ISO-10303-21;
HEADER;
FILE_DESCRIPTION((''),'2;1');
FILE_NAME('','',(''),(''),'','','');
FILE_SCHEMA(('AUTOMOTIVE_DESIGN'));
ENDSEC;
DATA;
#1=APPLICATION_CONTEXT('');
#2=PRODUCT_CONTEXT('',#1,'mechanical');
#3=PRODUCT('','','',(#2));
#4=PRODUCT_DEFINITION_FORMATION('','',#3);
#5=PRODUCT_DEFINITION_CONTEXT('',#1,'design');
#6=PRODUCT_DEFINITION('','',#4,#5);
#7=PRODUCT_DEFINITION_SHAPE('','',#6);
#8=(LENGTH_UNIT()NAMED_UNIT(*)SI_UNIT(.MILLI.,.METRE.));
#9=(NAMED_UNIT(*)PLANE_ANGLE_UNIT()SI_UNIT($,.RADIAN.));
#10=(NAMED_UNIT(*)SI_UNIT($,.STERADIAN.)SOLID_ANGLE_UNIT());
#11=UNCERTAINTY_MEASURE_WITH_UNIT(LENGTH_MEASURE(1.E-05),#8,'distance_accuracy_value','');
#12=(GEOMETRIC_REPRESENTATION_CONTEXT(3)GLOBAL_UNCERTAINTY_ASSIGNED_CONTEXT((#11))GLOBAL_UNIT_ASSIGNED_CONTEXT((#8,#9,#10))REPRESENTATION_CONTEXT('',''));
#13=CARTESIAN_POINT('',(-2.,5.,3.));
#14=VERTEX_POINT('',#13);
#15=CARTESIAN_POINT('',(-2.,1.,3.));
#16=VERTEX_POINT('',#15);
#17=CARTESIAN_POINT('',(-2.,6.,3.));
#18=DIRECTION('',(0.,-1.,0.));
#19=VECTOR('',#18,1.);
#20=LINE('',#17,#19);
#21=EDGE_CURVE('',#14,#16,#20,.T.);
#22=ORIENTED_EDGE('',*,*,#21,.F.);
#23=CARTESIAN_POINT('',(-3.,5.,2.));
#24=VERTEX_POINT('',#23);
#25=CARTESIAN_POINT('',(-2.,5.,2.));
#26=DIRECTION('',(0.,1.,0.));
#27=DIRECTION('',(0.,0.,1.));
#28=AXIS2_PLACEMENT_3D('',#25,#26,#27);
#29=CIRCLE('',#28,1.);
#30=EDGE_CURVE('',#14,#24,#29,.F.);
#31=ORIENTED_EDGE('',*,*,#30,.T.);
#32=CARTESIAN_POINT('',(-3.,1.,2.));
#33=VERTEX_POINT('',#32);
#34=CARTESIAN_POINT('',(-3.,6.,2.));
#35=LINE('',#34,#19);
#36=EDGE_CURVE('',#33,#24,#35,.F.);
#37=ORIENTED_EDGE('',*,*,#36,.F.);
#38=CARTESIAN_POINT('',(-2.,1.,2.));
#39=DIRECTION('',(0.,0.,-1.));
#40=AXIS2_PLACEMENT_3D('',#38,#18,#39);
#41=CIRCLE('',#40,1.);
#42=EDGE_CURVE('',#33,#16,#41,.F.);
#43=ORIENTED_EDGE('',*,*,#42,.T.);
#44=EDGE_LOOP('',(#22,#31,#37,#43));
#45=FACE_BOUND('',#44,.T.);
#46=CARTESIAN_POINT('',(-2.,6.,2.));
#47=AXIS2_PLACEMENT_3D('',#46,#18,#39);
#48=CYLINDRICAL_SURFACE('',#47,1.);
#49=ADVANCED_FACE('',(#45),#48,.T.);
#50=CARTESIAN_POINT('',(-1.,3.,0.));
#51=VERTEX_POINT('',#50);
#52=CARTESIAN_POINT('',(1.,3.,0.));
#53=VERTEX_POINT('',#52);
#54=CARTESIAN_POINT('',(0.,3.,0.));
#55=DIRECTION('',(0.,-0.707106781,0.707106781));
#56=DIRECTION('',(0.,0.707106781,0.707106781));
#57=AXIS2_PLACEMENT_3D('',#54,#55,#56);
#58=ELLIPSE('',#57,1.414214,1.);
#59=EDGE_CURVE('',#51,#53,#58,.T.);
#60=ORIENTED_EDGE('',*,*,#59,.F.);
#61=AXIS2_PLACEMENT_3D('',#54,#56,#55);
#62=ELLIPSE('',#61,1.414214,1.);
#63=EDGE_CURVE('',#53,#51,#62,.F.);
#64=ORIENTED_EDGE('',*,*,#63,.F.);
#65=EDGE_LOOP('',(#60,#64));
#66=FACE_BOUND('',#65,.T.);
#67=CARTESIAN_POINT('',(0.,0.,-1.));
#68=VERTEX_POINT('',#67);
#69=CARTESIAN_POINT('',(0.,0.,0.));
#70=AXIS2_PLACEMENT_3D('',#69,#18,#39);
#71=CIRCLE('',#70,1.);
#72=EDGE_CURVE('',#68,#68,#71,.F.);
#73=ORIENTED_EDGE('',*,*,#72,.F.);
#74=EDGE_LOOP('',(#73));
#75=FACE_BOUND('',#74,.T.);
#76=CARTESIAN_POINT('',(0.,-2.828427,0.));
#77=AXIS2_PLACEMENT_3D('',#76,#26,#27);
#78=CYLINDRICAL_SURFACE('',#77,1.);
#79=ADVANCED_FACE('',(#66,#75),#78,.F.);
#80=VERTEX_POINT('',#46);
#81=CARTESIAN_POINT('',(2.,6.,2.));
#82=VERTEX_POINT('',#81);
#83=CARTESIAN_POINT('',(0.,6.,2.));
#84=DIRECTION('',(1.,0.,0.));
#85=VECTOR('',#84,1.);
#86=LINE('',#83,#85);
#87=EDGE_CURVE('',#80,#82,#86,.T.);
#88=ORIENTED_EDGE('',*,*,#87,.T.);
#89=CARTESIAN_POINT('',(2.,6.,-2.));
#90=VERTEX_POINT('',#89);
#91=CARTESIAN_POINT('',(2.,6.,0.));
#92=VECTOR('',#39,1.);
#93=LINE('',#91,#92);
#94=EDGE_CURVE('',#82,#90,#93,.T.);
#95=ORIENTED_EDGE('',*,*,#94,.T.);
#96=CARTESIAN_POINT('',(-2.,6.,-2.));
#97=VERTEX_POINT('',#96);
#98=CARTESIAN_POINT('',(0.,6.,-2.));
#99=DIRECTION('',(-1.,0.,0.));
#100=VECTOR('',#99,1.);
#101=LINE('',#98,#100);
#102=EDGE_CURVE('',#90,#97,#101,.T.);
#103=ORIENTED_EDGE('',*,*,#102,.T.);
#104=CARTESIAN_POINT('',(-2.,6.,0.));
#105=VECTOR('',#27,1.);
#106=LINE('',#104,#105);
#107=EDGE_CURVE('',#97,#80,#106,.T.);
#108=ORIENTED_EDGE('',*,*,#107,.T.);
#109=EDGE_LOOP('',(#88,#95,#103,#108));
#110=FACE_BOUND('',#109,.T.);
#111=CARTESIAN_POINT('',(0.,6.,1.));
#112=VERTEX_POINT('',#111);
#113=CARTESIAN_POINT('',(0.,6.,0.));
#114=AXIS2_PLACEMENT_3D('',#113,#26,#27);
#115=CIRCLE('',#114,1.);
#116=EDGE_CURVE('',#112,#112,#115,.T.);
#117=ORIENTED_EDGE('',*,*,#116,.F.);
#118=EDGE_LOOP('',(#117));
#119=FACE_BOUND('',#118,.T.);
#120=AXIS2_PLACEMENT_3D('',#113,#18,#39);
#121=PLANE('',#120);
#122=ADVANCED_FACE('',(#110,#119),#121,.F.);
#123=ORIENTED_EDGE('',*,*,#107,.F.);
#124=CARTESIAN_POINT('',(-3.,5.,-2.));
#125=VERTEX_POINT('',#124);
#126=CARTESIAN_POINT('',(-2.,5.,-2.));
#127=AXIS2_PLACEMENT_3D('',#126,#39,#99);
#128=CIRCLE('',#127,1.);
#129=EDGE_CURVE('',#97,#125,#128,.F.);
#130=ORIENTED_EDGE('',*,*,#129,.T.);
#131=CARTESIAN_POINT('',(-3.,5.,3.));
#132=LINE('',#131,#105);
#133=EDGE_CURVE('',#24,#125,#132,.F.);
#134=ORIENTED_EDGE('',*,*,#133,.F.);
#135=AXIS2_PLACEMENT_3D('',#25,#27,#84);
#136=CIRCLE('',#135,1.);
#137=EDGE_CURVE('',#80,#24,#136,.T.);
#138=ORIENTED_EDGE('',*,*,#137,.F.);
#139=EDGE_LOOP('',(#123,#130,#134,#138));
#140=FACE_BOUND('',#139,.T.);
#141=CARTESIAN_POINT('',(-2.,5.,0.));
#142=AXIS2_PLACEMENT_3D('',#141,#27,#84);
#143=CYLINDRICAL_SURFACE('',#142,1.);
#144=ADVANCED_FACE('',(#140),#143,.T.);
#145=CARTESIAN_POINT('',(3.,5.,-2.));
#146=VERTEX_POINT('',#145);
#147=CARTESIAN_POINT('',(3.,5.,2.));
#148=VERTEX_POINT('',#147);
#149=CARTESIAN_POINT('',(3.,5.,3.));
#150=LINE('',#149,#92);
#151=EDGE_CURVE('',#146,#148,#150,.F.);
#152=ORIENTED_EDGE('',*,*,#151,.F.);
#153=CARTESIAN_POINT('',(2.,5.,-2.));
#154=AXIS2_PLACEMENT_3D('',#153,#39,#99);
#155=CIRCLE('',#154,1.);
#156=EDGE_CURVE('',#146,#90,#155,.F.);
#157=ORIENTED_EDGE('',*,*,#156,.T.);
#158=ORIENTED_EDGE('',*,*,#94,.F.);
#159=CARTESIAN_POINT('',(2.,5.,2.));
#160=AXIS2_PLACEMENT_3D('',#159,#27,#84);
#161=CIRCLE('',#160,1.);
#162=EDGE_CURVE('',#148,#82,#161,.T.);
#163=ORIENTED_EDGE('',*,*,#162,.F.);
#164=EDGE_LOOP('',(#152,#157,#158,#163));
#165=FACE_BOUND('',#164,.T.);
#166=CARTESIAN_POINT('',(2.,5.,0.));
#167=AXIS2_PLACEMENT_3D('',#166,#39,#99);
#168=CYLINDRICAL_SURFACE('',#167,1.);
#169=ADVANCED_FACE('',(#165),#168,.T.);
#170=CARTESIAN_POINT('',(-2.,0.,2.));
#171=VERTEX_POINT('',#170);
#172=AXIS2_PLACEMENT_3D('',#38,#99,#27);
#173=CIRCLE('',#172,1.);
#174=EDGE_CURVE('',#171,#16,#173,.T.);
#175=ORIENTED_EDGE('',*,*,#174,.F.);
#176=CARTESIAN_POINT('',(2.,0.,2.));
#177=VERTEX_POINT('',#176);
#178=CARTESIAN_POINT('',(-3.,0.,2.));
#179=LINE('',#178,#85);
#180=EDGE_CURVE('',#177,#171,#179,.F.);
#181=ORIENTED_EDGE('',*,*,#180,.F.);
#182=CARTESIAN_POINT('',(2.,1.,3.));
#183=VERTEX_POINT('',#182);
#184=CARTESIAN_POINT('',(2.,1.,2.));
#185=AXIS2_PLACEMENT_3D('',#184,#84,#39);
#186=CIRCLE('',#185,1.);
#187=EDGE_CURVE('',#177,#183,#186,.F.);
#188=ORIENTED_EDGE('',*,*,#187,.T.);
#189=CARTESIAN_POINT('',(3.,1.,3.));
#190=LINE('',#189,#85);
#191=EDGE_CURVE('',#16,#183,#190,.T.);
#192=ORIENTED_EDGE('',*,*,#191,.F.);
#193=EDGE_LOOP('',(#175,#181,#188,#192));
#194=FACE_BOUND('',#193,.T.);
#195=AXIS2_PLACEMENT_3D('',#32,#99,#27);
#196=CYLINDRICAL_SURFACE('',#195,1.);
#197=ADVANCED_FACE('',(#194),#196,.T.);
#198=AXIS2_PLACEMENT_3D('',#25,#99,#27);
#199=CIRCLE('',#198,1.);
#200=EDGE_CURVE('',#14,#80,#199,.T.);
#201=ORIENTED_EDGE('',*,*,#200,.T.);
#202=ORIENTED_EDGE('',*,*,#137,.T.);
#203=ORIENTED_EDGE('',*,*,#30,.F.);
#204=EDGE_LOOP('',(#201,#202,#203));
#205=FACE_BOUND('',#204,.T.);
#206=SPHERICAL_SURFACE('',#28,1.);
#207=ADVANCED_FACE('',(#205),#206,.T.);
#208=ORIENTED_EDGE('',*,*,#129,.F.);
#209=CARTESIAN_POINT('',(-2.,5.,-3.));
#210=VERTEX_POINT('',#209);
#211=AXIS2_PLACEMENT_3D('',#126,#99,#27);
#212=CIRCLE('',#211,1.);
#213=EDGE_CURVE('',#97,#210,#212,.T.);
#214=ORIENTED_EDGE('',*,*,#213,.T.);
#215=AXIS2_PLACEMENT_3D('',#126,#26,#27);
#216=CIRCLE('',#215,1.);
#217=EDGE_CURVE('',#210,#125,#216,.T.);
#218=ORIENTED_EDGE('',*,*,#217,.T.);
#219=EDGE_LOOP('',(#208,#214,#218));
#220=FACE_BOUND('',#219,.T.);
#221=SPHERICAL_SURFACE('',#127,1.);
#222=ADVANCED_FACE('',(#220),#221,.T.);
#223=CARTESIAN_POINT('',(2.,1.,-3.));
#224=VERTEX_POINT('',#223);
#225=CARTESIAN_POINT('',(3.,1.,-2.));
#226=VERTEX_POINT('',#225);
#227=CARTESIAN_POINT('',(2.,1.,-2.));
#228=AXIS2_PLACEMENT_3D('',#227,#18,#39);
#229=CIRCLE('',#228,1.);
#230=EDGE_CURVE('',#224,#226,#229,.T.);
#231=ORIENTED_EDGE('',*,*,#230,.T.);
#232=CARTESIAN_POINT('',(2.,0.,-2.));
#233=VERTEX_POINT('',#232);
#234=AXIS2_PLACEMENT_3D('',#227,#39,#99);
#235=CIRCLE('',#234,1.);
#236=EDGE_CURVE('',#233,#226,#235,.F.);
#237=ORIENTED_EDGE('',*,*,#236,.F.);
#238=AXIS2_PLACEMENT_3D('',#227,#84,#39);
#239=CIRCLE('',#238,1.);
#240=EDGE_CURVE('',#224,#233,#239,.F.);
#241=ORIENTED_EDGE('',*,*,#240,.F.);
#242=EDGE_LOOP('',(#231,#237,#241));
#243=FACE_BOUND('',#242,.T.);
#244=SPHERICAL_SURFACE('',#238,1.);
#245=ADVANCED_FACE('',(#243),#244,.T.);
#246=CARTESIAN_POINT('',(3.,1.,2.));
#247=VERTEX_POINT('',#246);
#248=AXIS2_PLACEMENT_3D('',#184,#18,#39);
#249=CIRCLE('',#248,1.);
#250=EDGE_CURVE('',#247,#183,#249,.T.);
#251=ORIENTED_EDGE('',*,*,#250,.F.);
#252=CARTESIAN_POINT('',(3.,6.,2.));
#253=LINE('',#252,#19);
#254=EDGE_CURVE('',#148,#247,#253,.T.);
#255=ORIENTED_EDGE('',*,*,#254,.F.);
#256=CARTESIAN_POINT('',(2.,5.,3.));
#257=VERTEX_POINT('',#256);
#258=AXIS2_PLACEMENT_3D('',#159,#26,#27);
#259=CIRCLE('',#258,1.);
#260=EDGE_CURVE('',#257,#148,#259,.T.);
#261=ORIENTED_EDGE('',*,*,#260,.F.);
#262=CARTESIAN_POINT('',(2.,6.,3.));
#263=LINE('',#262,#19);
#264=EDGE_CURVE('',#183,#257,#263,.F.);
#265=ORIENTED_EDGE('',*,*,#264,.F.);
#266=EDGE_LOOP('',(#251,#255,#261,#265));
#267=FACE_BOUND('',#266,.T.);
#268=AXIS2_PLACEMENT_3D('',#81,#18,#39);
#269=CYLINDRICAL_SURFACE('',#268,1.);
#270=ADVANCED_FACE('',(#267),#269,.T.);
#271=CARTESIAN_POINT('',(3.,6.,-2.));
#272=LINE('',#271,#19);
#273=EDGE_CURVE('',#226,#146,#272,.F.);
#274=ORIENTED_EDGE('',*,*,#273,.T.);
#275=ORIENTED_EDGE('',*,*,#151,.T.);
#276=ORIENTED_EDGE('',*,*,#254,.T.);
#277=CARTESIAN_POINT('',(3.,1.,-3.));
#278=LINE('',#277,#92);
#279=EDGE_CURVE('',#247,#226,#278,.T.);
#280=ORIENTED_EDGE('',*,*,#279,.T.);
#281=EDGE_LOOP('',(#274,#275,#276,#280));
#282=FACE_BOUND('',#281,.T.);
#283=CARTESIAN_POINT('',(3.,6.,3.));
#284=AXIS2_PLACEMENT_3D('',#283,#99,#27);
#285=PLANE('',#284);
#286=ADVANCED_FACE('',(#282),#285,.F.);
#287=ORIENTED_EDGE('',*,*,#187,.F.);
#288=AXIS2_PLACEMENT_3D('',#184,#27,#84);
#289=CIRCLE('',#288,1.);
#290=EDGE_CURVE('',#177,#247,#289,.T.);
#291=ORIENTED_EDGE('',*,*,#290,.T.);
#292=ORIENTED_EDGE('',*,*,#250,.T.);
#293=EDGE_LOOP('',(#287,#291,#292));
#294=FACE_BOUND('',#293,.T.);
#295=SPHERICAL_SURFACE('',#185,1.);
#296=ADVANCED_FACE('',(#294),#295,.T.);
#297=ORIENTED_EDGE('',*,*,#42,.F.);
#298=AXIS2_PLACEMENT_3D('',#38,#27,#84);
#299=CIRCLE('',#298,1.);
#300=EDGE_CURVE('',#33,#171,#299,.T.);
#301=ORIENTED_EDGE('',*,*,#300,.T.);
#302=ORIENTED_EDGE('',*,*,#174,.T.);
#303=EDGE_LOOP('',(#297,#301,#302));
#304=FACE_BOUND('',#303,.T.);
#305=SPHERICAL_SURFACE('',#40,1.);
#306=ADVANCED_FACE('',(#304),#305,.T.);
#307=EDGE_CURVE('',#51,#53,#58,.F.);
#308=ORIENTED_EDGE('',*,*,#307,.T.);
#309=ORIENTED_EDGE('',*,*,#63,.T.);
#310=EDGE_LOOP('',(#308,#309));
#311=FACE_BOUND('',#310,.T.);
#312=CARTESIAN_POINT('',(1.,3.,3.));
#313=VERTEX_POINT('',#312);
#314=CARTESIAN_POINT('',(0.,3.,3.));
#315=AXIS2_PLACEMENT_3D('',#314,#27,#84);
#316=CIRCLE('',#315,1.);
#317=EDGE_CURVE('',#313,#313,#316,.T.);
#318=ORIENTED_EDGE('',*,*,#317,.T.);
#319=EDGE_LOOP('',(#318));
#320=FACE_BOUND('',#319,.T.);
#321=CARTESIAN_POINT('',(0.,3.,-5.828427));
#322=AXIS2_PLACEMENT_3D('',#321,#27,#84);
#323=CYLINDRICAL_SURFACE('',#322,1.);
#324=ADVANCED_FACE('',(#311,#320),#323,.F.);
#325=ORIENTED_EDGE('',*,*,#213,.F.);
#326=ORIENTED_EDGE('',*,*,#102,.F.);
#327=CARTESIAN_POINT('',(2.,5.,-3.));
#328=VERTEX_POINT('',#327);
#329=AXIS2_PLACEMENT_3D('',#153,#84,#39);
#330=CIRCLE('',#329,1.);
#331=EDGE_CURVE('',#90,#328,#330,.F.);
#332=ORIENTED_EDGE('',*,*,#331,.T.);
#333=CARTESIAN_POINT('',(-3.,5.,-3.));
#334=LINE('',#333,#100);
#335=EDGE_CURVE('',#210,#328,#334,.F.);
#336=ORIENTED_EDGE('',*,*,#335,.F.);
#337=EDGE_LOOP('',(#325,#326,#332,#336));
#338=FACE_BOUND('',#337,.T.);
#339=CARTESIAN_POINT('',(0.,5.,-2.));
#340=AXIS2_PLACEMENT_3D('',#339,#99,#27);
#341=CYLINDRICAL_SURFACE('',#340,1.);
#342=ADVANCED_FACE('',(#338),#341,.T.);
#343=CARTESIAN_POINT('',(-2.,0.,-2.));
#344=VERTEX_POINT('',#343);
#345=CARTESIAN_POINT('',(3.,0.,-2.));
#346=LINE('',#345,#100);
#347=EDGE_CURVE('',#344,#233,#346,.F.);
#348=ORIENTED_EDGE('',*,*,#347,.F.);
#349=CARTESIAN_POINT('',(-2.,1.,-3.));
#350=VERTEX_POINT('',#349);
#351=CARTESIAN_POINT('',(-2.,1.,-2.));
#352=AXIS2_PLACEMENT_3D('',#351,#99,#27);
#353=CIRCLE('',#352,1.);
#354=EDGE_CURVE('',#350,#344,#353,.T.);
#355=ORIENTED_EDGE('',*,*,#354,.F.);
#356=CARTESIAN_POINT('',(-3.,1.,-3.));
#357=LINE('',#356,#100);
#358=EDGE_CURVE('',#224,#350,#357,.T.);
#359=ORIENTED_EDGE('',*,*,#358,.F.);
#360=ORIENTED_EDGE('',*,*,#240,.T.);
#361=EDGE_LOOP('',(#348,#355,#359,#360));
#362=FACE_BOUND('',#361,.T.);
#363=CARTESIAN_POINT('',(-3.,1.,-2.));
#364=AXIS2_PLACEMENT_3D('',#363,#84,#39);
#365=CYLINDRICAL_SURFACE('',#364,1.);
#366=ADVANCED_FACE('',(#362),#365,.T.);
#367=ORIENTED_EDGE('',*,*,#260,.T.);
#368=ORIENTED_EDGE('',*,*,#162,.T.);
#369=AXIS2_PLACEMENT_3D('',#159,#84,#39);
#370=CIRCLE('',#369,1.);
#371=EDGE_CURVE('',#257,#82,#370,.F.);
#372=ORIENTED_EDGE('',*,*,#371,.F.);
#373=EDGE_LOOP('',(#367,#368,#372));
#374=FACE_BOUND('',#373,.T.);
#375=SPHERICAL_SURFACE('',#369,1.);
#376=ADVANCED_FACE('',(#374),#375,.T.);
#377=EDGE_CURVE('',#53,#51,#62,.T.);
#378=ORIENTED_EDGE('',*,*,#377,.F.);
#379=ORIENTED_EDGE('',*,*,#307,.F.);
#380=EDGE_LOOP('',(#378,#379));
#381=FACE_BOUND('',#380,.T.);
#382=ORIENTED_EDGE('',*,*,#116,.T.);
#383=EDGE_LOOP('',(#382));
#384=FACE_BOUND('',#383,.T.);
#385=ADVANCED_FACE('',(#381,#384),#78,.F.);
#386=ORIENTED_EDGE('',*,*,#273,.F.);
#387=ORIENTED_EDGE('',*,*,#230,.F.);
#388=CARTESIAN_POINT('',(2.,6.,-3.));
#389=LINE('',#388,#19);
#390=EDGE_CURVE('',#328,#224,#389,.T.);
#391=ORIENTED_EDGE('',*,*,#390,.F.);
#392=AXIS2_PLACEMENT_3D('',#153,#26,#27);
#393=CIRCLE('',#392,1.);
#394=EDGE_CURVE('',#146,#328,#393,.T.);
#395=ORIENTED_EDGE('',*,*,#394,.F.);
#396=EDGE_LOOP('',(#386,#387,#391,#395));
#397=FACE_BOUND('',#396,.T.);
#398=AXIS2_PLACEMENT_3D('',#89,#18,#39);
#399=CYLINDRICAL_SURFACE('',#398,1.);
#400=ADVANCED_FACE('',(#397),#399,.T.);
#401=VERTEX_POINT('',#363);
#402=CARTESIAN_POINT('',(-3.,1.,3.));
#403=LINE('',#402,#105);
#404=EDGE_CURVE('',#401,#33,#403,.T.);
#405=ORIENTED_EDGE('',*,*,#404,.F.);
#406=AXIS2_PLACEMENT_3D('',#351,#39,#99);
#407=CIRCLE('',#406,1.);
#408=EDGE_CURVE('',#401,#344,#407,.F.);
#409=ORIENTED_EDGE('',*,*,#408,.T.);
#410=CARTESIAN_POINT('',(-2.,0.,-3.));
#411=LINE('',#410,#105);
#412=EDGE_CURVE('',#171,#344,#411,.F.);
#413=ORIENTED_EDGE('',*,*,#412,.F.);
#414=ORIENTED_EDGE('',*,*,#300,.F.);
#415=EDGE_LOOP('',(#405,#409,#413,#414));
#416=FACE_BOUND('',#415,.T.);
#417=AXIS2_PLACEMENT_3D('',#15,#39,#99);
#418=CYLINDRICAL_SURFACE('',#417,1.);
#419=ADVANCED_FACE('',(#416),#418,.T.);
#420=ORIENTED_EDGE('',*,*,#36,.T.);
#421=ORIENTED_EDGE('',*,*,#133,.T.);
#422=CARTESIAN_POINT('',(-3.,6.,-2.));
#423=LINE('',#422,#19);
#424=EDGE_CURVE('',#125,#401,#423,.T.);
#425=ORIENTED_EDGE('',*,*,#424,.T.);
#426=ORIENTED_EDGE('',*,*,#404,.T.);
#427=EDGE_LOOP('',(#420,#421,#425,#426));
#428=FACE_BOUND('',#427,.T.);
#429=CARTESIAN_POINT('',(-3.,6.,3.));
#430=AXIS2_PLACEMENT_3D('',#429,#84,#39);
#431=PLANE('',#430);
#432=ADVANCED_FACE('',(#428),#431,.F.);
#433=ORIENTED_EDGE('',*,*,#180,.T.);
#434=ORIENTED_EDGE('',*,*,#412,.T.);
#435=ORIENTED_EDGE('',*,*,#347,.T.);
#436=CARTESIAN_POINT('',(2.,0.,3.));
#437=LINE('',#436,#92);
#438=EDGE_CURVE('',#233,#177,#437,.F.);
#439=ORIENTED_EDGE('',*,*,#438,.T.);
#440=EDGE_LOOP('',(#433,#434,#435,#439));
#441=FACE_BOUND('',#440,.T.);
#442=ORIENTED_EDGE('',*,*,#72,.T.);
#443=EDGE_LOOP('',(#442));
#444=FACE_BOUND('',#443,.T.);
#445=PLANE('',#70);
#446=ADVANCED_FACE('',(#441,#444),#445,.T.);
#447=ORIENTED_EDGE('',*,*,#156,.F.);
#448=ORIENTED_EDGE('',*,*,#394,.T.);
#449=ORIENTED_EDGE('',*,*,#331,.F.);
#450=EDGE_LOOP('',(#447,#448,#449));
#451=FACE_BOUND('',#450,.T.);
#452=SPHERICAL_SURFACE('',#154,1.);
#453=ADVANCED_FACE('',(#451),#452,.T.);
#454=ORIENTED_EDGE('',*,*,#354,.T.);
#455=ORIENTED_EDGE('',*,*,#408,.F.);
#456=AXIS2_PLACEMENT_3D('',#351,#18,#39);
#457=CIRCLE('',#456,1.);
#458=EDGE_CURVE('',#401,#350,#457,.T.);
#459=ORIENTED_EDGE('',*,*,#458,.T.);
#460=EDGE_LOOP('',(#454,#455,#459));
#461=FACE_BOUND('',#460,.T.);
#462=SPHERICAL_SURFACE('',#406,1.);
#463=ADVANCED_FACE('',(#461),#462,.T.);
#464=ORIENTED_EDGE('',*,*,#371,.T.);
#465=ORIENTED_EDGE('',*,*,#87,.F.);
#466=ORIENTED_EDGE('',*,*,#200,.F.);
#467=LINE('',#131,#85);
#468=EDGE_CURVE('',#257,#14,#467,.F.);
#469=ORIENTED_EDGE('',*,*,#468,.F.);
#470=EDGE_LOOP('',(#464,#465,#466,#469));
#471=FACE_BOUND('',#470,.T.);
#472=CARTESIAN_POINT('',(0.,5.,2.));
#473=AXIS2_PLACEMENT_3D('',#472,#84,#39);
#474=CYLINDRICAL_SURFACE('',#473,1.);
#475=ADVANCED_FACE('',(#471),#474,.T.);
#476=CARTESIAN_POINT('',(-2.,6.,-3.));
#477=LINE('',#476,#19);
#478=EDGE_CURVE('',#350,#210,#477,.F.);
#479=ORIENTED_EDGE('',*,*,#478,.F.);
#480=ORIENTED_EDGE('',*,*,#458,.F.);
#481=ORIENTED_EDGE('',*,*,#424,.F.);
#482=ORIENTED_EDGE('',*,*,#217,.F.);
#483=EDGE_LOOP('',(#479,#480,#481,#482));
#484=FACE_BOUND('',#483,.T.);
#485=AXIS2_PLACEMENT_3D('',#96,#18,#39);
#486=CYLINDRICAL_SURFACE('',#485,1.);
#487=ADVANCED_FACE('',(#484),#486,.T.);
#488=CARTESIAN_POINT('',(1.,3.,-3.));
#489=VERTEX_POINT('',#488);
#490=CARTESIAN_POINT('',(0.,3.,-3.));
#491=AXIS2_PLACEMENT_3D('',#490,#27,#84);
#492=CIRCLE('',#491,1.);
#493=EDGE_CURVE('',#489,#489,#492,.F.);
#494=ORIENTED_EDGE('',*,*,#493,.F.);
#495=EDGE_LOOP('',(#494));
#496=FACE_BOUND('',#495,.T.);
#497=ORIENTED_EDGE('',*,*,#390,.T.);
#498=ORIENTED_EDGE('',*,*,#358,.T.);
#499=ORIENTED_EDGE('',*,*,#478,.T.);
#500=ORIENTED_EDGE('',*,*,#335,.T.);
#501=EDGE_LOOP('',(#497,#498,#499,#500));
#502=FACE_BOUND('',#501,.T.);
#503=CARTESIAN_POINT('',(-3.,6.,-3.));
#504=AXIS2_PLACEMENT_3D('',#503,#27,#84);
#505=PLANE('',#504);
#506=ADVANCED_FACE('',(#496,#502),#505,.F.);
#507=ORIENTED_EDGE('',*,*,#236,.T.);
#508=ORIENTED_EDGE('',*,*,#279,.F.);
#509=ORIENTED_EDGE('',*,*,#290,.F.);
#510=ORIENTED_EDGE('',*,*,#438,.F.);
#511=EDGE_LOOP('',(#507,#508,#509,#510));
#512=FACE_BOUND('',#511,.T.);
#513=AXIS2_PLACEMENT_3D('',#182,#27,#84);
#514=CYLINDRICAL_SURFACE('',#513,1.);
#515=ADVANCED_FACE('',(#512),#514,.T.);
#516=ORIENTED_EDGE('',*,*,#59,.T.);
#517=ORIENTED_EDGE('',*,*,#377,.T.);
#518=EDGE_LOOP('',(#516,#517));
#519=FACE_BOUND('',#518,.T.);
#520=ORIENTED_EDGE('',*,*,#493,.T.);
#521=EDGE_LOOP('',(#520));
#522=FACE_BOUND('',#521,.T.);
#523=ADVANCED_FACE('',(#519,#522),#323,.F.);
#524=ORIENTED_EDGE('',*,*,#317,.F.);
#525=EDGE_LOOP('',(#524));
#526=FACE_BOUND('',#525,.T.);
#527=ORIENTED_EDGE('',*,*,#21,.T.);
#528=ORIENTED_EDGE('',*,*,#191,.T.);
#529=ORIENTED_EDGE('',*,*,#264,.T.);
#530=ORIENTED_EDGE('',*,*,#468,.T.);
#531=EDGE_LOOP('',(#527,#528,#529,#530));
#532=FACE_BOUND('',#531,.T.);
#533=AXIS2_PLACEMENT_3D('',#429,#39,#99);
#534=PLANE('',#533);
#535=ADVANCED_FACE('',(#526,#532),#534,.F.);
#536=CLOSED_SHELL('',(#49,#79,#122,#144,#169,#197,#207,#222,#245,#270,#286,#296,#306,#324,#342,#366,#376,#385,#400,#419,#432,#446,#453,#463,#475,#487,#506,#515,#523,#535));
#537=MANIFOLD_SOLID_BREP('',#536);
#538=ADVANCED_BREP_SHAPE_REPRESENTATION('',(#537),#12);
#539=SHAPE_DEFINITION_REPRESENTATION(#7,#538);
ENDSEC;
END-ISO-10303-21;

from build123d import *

# Parameters (mm, degrees)
SKETCH3_W           = 6
SKETCH3_H           = 6
BOSS_EXTRUDE1_DEPTH = 6
SKETCH4_R           = 1
CUT_EXTRUDE1_DEPTH  = 6
CUT_EXTRUDE2_REACH  = 9.348
SKETCH5_R           = 1
FILLET1_R           = 1


with BuildPart() as part:
    # Sketch3 → Boss-Extrude1 (new body)
    with BuildSketch(Plane(origin=(0, 0, 0), x_dir=(1, 0, 0), z_dir=(0, 1, 0))):
        Rectangle(SKETCH3_W, SKETCH3_H)
    extrude(amount=BOSS_EXTRUDE1_DEPTH)

    # Sketch4 → Cut-Extrude1 (cut)
    with BuildSketch(Plane.XY.offset(3)):
        with Locations((0, 3)):
            Circle(SKETCH4_R)
    extrude(amount=-CUT_EXTRUDE1_DEPTH, mode=Mode.SUBTRACT)

    # Cut-Extrude2: up to this face of the body (flat: up to its plane)
    cut_extrude2_end = Plane(part.part.faces().sort_by_distance((0, 0, 0))[0])
    # Sketch5 → Cut-Extrude2 (cut, up to the picked face)
    with BuildSketch(Plane(origin=(0, 6, 0), x_dir=(1, 0, 0), z_dir=(0, 1, 0)), mode=Mode.PRIVATE) as cut_extrude2_sk1:
        with Locations(Location((0, 0, 0), (0, 0, 270))):
            Circle(SKETCH5_R)
    cut_extrude2_tool1 = split(extrude(cut_extrude2_sk1.sketch, amount=-CUT_EXTRUDE2_REACH, mode=Mode.PRIVATE), bisect_by=cut_extrude2_end, keep=Keep.BOTH, mode=Mode.PRIVATE)
    add(cut_extrude2_tool1.solids().sort_by(Axis((0, 6, 0), (0, -1, 0)))[0], mode=Mode.SUBTRACT)

    # Fillet1
    fillet1_edges = [part.edges().sort_by_distance(p)[0] for p in [
        (-3, 6, 0),
        (0, 6, 3),
        (3, 6, 0),
        (0, 0, 3),
        (-3, 0, 0),
        (0, 0, -3),
        (3, 0, 0),
        (3, 3, 3),
        (-3, 3, 3),
        (-3, 3, -3),
        (3, 3, -3),
        (0, 6, -3),
    ]]
    fillet(fillet1_edges, radius=FILLET1_R)


solid = part.part
